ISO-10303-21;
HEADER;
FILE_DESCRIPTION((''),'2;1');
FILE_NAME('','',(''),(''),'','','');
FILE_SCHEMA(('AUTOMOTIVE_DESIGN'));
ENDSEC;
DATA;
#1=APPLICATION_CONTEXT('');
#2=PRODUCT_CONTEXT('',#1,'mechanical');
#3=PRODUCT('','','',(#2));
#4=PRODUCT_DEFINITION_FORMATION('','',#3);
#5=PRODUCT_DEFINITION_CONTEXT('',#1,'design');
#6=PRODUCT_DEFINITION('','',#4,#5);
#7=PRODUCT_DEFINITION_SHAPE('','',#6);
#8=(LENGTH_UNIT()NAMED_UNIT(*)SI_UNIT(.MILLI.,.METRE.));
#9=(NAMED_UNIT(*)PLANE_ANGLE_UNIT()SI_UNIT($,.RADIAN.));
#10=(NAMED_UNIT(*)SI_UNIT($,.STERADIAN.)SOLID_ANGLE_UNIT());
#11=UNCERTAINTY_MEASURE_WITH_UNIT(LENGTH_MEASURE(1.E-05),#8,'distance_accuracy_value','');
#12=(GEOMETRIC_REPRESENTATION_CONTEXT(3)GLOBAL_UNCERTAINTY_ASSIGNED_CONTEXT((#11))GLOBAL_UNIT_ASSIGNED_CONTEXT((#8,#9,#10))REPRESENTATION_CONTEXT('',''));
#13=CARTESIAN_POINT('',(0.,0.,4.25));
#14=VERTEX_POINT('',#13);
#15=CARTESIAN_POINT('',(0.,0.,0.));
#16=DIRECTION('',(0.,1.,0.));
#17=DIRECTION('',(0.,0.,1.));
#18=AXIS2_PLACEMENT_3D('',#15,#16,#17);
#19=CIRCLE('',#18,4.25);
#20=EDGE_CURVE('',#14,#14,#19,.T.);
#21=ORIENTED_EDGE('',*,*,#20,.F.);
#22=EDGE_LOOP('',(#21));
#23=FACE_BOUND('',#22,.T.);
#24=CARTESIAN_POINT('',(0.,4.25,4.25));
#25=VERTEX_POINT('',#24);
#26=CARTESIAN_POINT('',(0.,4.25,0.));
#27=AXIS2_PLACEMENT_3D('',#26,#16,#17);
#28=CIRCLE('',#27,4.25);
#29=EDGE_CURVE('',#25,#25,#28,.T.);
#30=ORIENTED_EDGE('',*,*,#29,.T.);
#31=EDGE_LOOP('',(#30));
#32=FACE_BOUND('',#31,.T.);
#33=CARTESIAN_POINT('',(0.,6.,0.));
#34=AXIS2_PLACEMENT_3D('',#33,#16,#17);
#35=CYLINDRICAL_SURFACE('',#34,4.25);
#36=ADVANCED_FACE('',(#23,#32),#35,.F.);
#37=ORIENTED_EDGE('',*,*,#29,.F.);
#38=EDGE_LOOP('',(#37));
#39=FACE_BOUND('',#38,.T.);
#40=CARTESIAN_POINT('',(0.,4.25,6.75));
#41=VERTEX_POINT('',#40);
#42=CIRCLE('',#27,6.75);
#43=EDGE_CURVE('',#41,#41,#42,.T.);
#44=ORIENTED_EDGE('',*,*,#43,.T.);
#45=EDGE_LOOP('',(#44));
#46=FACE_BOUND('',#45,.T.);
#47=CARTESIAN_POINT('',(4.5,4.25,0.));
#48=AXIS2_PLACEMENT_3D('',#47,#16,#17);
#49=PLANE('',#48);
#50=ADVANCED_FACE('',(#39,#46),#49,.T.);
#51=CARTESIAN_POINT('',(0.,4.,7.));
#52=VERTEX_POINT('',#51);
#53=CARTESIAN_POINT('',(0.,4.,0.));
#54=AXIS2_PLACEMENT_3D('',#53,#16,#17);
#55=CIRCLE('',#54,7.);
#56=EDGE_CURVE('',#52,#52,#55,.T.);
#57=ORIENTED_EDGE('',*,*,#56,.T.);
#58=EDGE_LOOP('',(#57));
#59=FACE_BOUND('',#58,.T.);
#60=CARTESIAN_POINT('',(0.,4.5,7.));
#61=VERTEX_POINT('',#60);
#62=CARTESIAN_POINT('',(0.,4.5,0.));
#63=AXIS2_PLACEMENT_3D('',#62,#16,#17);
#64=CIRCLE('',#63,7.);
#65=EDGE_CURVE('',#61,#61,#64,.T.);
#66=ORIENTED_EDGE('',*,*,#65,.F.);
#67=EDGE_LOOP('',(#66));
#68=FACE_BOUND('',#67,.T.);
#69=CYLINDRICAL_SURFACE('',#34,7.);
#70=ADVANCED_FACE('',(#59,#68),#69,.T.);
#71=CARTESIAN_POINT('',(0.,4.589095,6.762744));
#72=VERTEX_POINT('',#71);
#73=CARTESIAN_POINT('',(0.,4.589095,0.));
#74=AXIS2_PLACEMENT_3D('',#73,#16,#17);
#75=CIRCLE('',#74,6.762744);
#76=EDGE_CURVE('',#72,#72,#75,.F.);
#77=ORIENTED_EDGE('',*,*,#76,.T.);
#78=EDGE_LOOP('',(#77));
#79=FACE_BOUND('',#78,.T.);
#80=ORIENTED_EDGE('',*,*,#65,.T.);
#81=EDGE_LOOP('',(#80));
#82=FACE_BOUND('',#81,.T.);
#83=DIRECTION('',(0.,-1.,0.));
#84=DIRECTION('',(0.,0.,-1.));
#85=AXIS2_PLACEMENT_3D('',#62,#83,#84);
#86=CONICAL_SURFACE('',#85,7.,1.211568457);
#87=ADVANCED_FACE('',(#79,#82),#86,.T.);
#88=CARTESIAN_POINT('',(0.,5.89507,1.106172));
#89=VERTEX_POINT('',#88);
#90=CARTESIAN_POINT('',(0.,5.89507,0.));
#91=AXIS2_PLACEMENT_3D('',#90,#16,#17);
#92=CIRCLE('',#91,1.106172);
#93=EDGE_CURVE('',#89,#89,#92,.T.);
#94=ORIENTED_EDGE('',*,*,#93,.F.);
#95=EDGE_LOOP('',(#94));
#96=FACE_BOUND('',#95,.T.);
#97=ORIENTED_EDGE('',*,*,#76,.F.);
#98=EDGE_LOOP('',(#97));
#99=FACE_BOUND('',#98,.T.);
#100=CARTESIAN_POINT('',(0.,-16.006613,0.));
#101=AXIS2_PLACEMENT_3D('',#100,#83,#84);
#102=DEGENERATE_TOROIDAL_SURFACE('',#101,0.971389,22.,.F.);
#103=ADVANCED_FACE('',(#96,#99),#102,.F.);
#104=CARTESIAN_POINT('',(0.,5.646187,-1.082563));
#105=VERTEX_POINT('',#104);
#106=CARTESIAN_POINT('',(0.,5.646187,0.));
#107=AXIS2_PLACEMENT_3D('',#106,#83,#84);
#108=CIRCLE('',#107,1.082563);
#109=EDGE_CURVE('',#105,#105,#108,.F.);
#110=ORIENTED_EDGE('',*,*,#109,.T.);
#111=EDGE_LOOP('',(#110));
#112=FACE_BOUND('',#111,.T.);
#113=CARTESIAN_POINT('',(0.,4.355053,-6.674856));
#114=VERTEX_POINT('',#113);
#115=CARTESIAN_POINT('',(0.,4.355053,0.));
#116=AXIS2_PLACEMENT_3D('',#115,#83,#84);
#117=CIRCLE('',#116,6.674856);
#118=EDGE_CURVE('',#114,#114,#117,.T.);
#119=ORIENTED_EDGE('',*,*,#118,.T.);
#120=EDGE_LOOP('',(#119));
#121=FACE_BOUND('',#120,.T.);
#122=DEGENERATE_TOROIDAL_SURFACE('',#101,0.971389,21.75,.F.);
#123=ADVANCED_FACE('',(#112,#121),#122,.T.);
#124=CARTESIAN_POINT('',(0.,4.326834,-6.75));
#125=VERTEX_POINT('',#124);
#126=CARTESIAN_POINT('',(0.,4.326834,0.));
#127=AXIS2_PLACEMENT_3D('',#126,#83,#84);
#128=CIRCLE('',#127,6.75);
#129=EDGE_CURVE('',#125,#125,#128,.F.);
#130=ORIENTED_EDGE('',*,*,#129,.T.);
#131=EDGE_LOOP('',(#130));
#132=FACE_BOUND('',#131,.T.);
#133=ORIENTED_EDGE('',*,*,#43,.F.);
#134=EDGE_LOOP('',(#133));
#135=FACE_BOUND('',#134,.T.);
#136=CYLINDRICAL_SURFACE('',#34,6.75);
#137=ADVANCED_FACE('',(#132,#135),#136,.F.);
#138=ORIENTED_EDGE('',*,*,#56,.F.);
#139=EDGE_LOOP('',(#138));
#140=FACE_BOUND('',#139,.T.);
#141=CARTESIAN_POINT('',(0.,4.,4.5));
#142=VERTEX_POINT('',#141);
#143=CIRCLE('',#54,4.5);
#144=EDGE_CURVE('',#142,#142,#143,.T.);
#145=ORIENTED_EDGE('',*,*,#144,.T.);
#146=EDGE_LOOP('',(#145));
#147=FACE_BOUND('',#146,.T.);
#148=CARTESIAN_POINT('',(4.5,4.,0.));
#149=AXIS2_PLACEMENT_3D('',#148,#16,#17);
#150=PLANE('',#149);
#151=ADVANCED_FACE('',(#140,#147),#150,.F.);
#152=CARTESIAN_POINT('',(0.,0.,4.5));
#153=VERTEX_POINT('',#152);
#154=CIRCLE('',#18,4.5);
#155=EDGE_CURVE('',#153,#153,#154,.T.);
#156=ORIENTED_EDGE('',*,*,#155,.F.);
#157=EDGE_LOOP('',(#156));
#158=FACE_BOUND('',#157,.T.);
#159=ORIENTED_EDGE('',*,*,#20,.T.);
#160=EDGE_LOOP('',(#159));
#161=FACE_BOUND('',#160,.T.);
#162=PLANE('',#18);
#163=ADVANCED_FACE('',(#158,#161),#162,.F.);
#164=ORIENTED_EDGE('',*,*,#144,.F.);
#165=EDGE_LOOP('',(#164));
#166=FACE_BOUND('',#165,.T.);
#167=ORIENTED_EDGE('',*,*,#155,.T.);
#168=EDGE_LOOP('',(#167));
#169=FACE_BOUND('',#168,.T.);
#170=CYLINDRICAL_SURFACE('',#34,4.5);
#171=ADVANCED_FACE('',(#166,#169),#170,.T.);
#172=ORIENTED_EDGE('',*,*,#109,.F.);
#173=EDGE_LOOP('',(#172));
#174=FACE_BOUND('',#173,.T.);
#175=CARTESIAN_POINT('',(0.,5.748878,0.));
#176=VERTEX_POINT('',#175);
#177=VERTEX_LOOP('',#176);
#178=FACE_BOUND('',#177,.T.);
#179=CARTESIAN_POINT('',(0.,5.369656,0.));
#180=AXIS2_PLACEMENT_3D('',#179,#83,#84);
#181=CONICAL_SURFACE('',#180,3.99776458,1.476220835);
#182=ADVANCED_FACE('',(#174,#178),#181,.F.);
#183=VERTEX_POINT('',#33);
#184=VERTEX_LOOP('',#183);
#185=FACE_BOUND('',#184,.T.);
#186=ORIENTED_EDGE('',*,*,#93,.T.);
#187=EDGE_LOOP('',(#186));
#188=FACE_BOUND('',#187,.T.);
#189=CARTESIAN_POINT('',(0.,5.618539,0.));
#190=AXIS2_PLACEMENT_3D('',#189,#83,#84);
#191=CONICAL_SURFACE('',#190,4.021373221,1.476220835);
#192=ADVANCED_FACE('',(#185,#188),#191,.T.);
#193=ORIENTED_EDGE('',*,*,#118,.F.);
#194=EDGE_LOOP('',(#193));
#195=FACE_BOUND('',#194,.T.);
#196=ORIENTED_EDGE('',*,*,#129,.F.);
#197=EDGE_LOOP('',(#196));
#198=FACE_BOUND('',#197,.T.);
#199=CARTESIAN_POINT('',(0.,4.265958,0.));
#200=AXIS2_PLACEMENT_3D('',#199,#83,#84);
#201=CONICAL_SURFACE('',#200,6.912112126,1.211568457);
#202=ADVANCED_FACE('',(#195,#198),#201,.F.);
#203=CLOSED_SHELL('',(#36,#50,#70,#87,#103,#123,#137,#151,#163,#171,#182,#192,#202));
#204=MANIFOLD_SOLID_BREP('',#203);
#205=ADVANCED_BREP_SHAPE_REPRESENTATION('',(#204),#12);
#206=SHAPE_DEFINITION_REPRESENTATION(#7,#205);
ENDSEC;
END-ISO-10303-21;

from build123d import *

# Parameters (mm, degrees)
FILLET1_R = 22
SHELL1_T  = -0.25


with BuildPart() as part:
    # Sketch1 → Revolve3 (revolve)
    with BuildSketch(Plane.XY, mode=Mode.PRIVATE) as revolve3_sk:
        Polygon((0, 0), (4.5, 0), (4.5, 4), (7, 4), (7, 4.5), (4.021373221, 5.618538642), (0, 6), align=None)
    revolve(revolve3_sk.sketch.rotate(Axis((0, 6, 0), (0, -1, 0)), 90), axis=Axis((0, 6, 0), (0, -1, 0)))

    # Fillet1
    fillet1_edges = [part.edges().sort_by_distance(p)[0] for p in [
        (0, 5.618538642, -4.021373221),
    ]]
    fillet(fillet1_edges, radius=FILLET1_R)

    # Shell1
    shell1_openings = [part.faces().sort_by_distance(p)[0] for p in [
        (0, 0, 0),
    ]]
    offset(amount=SHELL1_T, openings=shell1_openings, kind=Kind.INTERSECTION)


solid = part.part
